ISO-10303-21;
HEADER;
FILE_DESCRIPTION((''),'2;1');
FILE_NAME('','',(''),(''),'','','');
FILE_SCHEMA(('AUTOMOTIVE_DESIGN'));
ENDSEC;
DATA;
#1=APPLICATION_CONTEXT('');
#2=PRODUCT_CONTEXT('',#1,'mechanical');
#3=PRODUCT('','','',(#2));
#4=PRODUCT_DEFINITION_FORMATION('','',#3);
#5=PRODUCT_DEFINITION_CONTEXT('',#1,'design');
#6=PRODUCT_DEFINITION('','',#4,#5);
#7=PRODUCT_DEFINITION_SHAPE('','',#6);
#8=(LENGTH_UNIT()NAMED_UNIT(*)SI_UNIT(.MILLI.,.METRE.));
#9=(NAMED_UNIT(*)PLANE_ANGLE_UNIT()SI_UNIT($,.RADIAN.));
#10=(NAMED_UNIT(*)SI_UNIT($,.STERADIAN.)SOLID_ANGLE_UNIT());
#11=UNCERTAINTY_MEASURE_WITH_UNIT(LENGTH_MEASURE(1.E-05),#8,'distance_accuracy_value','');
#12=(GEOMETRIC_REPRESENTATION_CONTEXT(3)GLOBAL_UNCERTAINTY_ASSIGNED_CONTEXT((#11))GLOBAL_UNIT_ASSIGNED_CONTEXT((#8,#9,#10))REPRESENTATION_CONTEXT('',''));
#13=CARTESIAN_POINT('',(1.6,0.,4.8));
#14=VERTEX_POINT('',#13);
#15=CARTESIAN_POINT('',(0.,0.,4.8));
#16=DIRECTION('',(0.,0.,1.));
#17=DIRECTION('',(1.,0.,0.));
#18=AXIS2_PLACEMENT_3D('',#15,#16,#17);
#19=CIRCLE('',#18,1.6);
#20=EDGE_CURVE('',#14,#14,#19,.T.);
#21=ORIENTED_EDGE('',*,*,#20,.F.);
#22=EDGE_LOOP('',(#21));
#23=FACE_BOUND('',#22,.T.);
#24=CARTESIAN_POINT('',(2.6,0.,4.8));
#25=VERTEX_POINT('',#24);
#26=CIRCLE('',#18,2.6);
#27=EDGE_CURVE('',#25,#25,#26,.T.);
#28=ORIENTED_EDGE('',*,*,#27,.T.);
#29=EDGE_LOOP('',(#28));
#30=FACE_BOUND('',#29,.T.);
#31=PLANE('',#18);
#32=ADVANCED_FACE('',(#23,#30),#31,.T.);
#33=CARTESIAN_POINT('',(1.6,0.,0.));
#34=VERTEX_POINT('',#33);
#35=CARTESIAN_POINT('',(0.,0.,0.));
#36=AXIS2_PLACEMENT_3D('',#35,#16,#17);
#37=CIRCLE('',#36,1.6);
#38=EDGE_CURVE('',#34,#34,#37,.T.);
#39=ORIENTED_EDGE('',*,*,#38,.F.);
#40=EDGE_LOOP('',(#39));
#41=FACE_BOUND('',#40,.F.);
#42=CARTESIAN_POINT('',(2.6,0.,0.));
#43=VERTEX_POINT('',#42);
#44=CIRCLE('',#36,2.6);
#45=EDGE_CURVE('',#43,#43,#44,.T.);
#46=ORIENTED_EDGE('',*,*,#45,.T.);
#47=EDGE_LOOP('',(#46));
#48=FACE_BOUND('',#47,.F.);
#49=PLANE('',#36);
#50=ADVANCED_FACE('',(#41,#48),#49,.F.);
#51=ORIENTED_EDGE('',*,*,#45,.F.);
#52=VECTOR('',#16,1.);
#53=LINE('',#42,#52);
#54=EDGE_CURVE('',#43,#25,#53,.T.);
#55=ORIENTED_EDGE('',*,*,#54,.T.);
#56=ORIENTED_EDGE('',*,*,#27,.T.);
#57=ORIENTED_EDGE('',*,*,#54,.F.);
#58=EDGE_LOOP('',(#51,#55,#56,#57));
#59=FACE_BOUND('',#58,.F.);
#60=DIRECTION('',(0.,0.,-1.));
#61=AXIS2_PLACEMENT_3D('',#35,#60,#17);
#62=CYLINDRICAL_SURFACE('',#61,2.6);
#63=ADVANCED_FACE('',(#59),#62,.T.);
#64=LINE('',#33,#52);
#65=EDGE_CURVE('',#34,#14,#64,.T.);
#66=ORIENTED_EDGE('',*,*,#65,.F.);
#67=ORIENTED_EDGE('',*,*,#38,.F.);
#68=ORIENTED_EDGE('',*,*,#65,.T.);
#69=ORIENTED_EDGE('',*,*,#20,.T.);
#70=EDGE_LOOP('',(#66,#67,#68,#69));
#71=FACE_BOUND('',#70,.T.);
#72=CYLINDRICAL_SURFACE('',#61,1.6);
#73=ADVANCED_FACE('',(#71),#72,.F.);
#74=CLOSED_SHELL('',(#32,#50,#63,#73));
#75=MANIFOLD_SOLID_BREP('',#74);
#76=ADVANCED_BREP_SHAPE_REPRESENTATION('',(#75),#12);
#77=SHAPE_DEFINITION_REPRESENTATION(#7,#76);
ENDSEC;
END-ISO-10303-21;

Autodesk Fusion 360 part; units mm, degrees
sketch "Sketch1" plane through (0, 0, 0) normal (0, 0, 1) x (1, 0, 0)
  circle A0 centre (0, 0) radius 1.6
  circle A1 centre (0, 0) radius 2.6
  dimension "d1" = 3.2
  dimension "d2" = 1
extrude "Extrude1" add sketch "Sketch1" along normal blind 4.8
